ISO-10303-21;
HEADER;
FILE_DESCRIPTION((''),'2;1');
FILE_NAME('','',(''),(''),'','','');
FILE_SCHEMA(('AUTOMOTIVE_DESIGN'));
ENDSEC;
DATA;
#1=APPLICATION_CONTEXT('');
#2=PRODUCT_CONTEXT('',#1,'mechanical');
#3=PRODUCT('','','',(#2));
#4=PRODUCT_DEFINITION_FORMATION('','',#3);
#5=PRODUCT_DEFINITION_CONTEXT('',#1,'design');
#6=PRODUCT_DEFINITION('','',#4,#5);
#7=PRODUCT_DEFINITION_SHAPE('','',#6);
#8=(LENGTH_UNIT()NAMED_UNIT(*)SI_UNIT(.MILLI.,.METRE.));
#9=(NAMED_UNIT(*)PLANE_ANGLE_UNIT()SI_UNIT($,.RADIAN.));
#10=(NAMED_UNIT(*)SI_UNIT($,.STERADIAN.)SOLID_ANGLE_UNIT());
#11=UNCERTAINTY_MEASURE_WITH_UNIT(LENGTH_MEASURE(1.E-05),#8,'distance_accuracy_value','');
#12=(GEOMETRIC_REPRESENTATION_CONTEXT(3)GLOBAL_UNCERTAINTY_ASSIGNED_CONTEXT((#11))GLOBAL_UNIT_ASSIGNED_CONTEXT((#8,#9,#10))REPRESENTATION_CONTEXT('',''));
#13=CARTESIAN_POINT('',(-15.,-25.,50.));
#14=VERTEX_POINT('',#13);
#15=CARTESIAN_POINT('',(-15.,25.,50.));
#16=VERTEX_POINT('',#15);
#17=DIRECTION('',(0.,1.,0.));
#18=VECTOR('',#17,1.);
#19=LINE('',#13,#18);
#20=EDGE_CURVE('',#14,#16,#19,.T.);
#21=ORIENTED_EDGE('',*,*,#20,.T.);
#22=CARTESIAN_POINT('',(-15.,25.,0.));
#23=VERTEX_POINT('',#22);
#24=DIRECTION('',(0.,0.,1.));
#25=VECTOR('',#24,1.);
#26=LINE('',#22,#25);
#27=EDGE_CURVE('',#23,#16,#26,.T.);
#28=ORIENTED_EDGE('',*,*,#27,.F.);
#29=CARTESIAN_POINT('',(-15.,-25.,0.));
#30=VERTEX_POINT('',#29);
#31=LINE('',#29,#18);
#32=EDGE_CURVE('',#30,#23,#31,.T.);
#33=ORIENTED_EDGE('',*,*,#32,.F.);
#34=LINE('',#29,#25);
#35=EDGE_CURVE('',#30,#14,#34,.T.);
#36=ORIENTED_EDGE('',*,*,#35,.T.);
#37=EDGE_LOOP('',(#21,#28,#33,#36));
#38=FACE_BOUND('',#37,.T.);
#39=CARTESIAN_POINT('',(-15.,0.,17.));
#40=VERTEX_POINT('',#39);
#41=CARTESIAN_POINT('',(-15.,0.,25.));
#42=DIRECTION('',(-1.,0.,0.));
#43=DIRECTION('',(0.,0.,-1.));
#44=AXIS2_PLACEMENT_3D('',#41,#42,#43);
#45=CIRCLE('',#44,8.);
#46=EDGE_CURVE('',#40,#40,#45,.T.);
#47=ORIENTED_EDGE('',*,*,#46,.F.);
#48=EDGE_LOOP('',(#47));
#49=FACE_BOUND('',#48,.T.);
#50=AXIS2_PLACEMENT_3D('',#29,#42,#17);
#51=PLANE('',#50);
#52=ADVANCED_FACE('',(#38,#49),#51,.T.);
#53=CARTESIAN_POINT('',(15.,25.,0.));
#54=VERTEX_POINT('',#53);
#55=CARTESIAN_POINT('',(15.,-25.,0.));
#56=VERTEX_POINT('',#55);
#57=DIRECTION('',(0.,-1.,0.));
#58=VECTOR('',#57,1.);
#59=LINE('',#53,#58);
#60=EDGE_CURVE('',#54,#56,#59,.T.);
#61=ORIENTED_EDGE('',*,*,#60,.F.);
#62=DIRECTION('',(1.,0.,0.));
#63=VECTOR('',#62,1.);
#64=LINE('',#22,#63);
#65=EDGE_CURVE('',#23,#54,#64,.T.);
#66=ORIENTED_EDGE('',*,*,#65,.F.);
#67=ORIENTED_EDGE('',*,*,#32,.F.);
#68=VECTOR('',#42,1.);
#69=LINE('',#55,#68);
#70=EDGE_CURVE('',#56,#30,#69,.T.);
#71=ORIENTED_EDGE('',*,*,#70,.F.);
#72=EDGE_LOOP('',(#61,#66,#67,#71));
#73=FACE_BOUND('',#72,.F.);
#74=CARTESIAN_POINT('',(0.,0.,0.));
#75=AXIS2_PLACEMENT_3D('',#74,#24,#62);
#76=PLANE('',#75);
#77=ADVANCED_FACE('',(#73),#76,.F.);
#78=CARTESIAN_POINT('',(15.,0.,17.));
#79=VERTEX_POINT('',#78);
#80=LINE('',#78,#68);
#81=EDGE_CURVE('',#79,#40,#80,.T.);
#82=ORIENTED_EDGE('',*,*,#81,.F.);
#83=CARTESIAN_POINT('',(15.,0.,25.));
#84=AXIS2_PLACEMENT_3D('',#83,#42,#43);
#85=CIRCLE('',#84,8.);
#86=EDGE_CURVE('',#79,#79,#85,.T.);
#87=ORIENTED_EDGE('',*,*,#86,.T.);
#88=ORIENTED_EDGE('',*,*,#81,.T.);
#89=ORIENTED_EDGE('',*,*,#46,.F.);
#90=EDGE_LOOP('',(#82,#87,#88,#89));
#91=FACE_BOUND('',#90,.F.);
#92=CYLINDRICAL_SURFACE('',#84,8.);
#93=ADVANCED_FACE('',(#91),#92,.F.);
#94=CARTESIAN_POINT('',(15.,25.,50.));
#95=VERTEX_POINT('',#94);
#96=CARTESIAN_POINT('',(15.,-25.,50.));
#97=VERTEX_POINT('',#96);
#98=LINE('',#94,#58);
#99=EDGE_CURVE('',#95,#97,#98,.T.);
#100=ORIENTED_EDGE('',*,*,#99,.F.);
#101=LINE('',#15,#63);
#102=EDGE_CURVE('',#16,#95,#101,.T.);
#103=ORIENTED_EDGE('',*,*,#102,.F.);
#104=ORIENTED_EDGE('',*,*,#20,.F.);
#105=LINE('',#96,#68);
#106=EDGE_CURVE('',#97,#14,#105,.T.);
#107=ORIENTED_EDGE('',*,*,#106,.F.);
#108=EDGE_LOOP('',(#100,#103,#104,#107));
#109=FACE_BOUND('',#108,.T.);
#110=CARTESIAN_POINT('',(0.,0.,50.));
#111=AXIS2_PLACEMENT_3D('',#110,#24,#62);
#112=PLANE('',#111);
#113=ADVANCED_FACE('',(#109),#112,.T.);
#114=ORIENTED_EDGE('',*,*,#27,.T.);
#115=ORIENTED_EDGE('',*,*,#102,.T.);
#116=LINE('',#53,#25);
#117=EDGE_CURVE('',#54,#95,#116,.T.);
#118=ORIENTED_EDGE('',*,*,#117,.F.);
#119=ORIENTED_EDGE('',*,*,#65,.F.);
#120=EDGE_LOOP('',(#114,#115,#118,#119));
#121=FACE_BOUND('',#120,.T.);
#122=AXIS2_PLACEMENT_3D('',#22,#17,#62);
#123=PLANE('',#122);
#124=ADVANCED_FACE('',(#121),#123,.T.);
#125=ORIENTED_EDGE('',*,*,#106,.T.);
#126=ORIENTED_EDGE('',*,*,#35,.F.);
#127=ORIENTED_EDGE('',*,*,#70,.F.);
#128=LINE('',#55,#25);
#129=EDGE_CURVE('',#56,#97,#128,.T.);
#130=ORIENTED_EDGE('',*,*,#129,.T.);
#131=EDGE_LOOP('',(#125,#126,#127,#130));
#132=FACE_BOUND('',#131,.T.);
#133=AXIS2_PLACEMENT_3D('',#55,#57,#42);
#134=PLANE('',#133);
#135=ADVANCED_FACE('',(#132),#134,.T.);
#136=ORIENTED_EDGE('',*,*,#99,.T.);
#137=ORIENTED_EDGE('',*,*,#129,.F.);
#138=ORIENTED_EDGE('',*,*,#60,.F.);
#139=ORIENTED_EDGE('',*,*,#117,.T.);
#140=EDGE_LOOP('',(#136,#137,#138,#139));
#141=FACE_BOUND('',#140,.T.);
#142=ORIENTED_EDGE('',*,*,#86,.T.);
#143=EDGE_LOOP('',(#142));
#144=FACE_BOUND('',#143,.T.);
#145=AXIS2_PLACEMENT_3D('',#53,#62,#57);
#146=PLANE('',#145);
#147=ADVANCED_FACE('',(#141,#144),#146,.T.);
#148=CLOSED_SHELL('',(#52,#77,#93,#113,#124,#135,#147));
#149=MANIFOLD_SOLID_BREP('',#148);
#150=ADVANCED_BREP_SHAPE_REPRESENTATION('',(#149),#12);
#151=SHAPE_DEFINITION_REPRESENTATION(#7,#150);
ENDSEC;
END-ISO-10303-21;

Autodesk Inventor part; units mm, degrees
ref_plane "YZ Plane" through (0, 0, 0) normal (1, 0, 0) x (0, 1, 0)
ref_plane "Startebene" through (0, 0, 0) normal (0, 0, 1) x (1, 0, 0)
ref_plane "Endebene" through (0, 0, 50) normal (0, 0, 1) x (1, 0, 0)
sketch "Skizze" plane through (0, 0, 0) normal (0, 0, 1) x (1, 0, 0)
  line L0 (15, -25) -> (-15, -25)
  line L1 (-15, -25) -> (-15, 25)
  line L2 (-15, 25) -> (15, 25)
  line L3 (15, 25) -> (15, -25)
  line L4 (-6, 0) -> (8, 0) construction
  line L5 (0, -30) -> (0, 40) construction
  line L6 (0, 54) -> (0, -44) construction
  line L7 (-9.2, 0) -> (13.2, 0) construction
  dimension "d0" = 50
  dimension "d1" = 30
  dimension "d4" = 15
  dimension "d5" = 25
extrude "Körper" add sketch "Skizze" along normal up to surface (50 mm away) from surface at 0
sketch "Sketch3" plane through (0, 0, 0) normal (0, 0, 1) x (1, 0, 0)
  line L0 (0, 0) -> (10, 0)
ref_plane "Work Plane3" through (0, 0, 0) normal (0, -1, 0) x (1, 0, 0)
sketch "Sketch4" plane through (0, 0, 0) normal (0, -1, 0) x (1, 0, 0)
  line L0 (-2, 0) -> (12, 0)
  line L1 (-2, 50) -> (12, 50)
  dimension "d9" = 50
sketch "Skizze5" plane through (15, -25, 50) normal (1, 0, 0) x (0, 0, -1)
  line L0 (0, 50) -> (0, 0) projected
  line L1 (50, 0) -> (0, 0) projected
  point P0 (50, 25)
  point P1 (25, 25)
  dimension "d10" = 25
  dimension "d11" = 25
hole "Bohrung1" at (15, 0, 25) direction (-1, 0, 0) diameter 16 end through all
equation "\"d0\" = G_W"
equation "\"d1\" = G_H"
equation "\"d4\" = 0.5 * d1"
equation "\"d5\" = 0.5 * d0"
equation "\"d2\" = G_L"
equation "\"G_W\" = 50"
equation "\"G_H\" = 30"
equation "\"G_L\" = d9"
equation "\"G_OFFSET_START\" = 0"
equation "\"G_OFFSET_END\" = 0"
properties part number "EN 10058 - 50 x 30 - 50" material "Stahl, weich"
